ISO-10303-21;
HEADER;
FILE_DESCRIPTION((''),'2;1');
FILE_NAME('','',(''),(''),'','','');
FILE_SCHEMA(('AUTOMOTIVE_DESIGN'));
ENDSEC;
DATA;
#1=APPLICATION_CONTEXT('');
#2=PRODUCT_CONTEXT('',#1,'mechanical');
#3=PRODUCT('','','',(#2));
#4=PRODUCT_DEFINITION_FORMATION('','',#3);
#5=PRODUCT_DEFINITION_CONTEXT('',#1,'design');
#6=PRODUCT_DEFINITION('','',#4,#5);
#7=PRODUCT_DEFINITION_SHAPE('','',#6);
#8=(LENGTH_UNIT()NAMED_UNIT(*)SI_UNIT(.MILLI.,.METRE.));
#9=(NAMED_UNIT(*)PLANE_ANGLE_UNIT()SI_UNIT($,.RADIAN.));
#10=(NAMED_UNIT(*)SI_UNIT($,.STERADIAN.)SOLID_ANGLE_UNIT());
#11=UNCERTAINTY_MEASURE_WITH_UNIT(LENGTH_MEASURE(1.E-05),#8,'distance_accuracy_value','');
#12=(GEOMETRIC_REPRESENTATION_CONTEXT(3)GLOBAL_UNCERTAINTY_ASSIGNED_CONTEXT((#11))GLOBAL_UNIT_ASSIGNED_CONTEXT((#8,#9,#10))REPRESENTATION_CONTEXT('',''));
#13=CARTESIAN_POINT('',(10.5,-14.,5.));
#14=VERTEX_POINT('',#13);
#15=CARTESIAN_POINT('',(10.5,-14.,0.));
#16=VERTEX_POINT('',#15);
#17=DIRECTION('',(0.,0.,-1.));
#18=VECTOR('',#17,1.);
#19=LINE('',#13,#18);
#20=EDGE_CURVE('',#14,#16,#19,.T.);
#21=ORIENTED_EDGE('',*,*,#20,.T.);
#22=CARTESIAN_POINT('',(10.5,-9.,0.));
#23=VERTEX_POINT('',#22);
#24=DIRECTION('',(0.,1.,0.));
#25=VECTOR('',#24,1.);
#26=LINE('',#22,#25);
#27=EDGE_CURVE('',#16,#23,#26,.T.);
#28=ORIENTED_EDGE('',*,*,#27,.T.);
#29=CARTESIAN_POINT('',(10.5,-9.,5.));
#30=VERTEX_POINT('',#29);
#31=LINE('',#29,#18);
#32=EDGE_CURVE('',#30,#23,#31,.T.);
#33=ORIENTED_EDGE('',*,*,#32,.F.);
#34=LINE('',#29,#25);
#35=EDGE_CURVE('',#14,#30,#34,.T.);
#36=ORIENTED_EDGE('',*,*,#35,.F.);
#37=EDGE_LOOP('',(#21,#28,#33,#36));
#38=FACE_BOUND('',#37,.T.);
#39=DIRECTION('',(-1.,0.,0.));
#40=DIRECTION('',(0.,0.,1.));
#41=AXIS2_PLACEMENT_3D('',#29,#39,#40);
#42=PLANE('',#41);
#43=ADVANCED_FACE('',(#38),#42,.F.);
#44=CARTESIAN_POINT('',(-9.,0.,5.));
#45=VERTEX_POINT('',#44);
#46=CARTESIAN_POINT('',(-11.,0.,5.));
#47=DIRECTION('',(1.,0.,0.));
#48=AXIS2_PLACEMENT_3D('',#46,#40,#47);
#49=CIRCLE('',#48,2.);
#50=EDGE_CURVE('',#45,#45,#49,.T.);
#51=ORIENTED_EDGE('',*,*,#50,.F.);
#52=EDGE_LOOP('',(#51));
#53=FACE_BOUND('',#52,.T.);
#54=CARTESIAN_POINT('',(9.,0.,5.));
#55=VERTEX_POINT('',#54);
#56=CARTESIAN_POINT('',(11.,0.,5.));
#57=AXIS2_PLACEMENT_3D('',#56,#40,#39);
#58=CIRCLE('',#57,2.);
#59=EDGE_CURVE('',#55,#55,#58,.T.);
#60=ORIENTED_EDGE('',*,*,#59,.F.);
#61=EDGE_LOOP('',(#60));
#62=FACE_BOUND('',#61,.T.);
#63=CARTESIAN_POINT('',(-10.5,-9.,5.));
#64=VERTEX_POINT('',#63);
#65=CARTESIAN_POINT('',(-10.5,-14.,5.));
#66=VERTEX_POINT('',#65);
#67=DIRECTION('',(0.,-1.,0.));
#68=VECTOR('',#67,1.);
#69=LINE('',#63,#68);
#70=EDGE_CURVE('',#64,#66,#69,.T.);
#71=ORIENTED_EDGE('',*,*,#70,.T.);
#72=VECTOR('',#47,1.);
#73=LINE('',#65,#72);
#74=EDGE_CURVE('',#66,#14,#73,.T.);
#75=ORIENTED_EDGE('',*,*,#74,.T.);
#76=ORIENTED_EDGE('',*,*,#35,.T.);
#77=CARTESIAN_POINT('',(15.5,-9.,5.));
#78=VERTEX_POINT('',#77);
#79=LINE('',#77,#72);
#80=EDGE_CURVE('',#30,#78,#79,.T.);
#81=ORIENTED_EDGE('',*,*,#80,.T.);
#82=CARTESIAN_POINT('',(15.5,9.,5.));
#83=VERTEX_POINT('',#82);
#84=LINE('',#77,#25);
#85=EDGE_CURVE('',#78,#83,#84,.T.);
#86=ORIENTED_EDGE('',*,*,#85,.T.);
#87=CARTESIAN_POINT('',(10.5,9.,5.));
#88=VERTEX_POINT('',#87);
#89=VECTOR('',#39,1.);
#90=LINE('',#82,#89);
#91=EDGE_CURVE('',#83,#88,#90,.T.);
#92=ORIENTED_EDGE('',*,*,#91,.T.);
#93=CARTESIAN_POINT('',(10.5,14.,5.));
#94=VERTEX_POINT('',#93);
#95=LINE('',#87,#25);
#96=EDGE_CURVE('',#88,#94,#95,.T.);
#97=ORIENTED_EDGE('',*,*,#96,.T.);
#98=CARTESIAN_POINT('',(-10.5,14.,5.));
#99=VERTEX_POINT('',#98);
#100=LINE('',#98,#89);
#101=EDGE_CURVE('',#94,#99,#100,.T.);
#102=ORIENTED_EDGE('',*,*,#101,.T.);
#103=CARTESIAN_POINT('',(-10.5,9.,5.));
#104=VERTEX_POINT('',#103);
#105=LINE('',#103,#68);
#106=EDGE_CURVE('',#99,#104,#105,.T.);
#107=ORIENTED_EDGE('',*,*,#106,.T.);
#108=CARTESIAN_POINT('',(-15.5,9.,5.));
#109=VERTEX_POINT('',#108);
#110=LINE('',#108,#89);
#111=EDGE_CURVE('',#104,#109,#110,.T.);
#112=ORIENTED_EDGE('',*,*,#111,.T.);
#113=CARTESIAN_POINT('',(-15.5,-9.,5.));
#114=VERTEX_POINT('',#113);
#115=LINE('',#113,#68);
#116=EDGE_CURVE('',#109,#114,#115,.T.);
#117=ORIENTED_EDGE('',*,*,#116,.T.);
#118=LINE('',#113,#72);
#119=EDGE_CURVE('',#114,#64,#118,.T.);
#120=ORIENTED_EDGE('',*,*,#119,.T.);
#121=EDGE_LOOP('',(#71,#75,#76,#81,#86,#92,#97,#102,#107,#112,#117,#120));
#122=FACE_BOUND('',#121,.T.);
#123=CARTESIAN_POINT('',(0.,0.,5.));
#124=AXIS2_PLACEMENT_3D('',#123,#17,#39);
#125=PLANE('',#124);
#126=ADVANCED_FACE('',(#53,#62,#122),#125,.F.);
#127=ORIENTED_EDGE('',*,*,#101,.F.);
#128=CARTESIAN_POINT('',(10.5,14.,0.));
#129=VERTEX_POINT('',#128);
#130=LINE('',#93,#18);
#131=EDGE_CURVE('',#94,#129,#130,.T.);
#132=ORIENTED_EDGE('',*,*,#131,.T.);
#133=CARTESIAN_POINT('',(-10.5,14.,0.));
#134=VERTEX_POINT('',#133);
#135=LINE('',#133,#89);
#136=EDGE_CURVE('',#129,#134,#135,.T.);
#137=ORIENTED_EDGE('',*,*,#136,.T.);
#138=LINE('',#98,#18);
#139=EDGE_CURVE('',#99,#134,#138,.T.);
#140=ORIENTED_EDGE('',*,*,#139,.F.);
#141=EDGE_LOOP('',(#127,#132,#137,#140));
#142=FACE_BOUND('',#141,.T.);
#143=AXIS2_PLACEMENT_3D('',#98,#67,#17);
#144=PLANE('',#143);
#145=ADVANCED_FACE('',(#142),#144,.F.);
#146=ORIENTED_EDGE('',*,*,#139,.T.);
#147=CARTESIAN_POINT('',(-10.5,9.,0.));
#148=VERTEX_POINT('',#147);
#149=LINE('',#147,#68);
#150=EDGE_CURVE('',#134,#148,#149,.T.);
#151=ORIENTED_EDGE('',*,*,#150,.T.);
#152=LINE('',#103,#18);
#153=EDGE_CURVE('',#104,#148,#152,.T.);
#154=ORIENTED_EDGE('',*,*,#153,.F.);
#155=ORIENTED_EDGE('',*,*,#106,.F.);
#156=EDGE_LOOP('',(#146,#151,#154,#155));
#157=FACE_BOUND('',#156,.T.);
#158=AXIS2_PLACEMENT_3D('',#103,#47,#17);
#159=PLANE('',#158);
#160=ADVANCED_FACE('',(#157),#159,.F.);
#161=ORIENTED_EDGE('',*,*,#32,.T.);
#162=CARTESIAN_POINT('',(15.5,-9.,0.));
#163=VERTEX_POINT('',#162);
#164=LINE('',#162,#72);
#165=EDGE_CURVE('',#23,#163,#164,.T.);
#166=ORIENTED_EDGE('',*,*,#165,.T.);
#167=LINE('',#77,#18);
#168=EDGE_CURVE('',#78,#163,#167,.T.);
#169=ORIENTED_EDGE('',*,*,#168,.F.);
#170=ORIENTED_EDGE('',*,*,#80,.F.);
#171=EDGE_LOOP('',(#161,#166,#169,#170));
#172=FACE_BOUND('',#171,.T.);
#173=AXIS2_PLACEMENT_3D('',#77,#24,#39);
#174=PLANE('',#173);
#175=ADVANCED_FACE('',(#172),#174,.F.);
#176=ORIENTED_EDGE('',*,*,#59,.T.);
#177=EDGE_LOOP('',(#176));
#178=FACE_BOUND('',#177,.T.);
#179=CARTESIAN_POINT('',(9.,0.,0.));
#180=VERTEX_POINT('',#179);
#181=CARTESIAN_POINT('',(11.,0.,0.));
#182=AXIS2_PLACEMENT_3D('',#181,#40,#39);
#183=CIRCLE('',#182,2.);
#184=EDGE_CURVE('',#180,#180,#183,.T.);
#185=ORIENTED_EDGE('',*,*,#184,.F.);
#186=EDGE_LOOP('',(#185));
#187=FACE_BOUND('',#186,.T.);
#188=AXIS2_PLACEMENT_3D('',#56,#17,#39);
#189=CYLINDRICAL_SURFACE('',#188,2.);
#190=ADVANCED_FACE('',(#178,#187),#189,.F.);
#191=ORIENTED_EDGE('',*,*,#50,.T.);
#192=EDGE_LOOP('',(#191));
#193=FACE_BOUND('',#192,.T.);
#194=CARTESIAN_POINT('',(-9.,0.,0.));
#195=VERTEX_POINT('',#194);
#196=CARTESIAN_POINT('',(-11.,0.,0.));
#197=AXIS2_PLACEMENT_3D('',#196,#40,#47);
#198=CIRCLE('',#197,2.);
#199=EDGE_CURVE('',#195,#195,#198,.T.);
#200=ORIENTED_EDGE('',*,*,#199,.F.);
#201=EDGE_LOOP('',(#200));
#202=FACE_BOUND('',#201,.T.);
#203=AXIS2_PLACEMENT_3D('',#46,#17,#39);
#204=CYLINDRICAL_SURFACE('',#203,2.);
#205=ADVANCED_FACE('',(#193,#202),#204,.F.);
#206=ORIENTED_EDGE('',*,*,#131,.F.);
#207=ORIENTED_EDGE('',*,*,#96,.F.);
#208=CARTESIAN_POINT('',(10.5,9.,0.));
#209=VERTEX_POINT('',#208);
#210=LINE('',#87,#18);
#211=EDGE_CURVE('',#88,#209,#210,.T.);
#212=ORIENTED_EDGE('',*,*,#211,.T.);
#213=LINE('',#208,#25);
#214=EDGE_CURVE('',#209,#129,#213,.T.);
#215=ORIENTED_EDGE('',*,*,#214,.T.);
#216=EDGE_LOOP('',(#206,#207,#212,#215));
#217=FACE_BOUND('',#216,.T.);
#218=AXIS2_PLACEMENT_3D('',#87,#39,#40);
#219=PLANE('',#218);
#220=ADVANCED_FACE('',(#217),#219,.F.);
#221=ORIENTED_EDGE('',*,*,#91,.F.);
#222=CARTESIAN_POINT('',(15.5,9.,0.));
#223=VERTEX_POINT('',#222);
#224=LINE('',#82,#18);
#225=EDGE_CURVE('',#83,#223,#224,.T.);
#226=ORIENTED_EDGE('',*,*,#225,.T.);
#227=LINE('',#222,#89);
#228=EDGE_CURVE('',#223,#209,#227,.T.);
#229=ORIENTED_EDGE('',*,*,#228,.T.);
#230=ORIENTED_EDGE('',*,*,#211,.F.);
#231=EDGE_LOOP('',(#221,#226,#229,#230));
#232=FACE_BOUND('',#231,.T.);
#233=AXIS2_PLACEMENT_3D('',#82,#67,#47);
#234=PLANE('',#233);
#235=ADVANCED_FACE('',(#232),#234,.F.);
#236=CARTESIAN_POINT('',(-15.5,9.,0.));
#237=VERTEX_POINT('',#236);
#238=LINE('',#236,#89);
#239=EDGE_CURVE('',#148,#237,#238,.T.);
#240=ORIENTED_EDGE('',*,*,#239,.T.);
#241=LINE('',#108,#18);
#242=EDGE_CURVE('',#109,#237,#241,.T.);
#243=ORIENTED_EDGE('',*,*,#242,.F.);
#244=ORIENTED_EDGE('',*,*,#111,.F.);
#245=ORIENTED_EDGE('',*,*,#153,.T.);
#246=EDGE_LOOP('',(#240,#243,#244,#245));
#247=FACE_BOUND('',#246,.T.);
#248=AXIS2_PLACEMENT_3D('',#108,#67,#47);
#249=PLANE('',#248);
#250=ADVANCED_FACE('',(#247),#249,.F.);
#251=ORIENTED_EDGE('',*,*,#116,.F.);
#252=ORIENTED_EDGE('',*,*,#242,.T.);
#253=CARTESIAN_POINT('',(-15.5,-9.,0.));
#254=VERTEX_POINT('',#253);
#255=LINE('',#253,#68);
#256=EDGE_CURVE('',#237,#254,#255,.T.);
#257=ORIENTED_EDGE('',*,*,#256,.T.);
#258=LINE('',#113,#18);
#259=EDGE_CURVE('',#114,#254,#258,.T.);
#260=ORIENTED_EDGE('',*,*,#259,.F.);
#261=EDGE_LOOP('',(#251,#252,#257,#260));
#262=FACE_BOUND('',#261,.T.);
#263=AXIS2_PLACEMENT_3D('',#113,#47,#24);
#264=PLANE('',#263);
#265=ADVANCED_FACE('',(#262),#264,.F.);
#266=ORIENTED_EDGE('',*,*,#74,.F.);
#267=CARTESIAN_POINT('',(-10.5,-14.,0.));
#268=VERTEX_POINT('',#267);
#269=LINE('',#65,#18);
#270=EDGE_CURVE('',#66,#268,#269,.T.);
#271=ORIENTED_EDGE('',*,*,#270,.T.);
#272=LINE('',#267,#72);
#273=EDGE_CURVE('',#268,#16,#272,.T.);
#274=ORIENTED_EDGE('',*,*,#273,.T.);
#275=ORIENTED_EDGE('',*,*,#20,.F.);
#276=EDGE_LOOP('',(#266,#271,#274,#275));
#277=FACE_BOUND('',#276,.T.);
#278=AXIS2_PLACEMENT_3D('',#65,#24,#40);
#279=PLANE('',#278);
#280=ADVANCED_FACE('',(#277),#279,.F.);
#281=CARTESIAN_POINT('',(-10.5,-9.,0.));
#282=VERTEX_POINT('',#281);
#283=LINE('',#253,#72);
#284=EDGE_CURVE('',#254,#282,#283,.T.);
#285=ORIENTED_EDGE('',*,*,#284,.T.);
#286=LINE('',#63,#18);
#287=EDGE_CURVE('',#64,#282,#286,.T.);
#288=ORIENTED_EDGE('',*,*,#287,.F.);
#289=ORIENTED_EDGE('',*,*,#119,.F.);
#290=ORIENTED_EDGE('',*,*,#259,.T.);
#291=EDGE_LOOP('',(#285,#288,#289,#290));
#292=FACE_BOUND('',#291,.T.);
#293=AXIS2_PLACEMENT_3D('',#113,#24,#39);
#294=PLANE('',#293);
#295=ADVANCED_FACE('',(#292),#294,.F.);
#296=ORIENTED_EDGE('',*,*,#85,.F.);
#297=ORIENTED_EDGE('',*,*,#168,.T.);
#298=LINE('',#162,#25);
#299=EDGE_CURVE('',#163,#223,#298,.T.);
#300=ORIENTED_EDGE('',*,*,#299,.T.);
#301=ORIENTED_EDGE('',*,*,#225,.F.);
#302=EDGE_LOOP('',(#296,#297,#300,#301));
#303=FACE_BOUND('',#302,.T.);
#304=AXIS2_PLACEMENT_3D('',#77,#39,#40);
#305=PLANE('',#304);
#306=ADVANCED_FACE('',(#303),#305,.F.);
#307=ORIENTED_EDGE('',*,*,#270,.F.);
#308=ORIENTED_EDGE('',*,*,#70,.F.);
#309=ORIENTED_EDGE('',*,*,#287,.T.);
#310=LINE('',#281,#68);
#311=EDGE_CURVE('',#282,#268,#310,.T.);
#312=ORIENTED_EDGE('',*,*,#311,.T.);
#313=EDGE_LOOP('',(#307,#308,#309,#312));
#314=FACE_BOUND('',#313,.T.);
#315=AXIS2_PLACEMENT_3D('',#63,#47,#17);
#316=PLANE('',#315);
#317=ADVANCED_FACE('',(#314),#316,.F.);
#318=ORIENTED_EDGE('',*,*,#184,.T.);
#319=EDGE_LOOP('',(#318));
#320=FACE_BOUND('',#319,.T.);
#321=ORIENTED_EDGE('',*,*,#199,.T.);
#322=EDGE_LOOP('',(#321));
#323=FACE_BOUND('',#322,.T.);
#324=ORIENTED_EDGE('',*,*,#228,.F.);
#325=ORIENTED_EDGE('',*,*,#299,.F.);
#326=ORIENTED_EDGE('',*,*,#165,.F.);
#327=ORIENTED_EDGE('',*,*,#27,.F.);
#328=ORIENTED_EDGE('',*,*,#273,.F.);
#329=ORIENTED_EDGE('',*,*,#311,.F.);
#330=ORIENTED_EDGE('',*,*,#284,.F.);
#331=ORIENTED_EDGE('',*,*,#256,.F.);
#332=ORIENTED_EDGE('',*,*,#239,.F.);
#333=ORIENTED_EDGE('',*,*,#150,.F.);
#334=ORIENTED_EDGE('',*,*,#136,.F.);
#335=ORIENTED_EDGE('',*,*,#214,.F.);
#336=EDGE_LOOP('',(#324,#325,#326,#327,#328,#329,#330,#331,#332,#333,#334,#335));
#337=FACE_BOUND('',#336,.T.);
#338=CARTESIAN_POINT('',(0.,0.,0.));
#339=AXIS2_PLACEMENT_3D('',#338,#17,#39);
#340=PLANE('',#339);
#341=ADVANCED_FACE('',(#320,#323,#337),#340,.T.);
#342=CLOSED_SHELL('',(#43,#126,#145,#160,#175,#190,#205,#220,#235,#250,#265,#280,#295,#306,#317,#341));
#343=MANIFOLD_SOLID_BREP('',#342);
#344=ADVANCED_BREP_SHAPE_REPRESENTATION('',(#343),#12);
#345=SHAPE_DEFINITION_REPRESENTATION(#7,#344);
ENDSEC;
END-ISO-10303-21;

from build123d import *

# Parameters (mm, degrees)
SKETCH1_R           = 2
BOSS_EXTRUDE1_DEPTH = 5


with BuildPart() as part:
    # Sketch1 → Boss-Extrude1 (new body)
    with BuildSketch(Plane.XY):
        Polygon((-15.5, -9), (-15.5, 9), (-10.5, 9), (-10.5, 14), (10.5, 14), (10.5, 9), (15.5, 9), (15.5, -9), (10.5, -9), (10.5, -14), (-10.5, -14), (-10.5, -9), align=None)
        with Locations((-11, 0)):
            Circle(SKETCH1_R, mode=Mode.SUBTRACT)
        with Locations((11, 0)):
            Circle(SKETCH1_R, mode=Mode.SUBTRACT)
    extrude(amount=BOSS_EXTRUDE1_DEPTH)


solid = part.part
